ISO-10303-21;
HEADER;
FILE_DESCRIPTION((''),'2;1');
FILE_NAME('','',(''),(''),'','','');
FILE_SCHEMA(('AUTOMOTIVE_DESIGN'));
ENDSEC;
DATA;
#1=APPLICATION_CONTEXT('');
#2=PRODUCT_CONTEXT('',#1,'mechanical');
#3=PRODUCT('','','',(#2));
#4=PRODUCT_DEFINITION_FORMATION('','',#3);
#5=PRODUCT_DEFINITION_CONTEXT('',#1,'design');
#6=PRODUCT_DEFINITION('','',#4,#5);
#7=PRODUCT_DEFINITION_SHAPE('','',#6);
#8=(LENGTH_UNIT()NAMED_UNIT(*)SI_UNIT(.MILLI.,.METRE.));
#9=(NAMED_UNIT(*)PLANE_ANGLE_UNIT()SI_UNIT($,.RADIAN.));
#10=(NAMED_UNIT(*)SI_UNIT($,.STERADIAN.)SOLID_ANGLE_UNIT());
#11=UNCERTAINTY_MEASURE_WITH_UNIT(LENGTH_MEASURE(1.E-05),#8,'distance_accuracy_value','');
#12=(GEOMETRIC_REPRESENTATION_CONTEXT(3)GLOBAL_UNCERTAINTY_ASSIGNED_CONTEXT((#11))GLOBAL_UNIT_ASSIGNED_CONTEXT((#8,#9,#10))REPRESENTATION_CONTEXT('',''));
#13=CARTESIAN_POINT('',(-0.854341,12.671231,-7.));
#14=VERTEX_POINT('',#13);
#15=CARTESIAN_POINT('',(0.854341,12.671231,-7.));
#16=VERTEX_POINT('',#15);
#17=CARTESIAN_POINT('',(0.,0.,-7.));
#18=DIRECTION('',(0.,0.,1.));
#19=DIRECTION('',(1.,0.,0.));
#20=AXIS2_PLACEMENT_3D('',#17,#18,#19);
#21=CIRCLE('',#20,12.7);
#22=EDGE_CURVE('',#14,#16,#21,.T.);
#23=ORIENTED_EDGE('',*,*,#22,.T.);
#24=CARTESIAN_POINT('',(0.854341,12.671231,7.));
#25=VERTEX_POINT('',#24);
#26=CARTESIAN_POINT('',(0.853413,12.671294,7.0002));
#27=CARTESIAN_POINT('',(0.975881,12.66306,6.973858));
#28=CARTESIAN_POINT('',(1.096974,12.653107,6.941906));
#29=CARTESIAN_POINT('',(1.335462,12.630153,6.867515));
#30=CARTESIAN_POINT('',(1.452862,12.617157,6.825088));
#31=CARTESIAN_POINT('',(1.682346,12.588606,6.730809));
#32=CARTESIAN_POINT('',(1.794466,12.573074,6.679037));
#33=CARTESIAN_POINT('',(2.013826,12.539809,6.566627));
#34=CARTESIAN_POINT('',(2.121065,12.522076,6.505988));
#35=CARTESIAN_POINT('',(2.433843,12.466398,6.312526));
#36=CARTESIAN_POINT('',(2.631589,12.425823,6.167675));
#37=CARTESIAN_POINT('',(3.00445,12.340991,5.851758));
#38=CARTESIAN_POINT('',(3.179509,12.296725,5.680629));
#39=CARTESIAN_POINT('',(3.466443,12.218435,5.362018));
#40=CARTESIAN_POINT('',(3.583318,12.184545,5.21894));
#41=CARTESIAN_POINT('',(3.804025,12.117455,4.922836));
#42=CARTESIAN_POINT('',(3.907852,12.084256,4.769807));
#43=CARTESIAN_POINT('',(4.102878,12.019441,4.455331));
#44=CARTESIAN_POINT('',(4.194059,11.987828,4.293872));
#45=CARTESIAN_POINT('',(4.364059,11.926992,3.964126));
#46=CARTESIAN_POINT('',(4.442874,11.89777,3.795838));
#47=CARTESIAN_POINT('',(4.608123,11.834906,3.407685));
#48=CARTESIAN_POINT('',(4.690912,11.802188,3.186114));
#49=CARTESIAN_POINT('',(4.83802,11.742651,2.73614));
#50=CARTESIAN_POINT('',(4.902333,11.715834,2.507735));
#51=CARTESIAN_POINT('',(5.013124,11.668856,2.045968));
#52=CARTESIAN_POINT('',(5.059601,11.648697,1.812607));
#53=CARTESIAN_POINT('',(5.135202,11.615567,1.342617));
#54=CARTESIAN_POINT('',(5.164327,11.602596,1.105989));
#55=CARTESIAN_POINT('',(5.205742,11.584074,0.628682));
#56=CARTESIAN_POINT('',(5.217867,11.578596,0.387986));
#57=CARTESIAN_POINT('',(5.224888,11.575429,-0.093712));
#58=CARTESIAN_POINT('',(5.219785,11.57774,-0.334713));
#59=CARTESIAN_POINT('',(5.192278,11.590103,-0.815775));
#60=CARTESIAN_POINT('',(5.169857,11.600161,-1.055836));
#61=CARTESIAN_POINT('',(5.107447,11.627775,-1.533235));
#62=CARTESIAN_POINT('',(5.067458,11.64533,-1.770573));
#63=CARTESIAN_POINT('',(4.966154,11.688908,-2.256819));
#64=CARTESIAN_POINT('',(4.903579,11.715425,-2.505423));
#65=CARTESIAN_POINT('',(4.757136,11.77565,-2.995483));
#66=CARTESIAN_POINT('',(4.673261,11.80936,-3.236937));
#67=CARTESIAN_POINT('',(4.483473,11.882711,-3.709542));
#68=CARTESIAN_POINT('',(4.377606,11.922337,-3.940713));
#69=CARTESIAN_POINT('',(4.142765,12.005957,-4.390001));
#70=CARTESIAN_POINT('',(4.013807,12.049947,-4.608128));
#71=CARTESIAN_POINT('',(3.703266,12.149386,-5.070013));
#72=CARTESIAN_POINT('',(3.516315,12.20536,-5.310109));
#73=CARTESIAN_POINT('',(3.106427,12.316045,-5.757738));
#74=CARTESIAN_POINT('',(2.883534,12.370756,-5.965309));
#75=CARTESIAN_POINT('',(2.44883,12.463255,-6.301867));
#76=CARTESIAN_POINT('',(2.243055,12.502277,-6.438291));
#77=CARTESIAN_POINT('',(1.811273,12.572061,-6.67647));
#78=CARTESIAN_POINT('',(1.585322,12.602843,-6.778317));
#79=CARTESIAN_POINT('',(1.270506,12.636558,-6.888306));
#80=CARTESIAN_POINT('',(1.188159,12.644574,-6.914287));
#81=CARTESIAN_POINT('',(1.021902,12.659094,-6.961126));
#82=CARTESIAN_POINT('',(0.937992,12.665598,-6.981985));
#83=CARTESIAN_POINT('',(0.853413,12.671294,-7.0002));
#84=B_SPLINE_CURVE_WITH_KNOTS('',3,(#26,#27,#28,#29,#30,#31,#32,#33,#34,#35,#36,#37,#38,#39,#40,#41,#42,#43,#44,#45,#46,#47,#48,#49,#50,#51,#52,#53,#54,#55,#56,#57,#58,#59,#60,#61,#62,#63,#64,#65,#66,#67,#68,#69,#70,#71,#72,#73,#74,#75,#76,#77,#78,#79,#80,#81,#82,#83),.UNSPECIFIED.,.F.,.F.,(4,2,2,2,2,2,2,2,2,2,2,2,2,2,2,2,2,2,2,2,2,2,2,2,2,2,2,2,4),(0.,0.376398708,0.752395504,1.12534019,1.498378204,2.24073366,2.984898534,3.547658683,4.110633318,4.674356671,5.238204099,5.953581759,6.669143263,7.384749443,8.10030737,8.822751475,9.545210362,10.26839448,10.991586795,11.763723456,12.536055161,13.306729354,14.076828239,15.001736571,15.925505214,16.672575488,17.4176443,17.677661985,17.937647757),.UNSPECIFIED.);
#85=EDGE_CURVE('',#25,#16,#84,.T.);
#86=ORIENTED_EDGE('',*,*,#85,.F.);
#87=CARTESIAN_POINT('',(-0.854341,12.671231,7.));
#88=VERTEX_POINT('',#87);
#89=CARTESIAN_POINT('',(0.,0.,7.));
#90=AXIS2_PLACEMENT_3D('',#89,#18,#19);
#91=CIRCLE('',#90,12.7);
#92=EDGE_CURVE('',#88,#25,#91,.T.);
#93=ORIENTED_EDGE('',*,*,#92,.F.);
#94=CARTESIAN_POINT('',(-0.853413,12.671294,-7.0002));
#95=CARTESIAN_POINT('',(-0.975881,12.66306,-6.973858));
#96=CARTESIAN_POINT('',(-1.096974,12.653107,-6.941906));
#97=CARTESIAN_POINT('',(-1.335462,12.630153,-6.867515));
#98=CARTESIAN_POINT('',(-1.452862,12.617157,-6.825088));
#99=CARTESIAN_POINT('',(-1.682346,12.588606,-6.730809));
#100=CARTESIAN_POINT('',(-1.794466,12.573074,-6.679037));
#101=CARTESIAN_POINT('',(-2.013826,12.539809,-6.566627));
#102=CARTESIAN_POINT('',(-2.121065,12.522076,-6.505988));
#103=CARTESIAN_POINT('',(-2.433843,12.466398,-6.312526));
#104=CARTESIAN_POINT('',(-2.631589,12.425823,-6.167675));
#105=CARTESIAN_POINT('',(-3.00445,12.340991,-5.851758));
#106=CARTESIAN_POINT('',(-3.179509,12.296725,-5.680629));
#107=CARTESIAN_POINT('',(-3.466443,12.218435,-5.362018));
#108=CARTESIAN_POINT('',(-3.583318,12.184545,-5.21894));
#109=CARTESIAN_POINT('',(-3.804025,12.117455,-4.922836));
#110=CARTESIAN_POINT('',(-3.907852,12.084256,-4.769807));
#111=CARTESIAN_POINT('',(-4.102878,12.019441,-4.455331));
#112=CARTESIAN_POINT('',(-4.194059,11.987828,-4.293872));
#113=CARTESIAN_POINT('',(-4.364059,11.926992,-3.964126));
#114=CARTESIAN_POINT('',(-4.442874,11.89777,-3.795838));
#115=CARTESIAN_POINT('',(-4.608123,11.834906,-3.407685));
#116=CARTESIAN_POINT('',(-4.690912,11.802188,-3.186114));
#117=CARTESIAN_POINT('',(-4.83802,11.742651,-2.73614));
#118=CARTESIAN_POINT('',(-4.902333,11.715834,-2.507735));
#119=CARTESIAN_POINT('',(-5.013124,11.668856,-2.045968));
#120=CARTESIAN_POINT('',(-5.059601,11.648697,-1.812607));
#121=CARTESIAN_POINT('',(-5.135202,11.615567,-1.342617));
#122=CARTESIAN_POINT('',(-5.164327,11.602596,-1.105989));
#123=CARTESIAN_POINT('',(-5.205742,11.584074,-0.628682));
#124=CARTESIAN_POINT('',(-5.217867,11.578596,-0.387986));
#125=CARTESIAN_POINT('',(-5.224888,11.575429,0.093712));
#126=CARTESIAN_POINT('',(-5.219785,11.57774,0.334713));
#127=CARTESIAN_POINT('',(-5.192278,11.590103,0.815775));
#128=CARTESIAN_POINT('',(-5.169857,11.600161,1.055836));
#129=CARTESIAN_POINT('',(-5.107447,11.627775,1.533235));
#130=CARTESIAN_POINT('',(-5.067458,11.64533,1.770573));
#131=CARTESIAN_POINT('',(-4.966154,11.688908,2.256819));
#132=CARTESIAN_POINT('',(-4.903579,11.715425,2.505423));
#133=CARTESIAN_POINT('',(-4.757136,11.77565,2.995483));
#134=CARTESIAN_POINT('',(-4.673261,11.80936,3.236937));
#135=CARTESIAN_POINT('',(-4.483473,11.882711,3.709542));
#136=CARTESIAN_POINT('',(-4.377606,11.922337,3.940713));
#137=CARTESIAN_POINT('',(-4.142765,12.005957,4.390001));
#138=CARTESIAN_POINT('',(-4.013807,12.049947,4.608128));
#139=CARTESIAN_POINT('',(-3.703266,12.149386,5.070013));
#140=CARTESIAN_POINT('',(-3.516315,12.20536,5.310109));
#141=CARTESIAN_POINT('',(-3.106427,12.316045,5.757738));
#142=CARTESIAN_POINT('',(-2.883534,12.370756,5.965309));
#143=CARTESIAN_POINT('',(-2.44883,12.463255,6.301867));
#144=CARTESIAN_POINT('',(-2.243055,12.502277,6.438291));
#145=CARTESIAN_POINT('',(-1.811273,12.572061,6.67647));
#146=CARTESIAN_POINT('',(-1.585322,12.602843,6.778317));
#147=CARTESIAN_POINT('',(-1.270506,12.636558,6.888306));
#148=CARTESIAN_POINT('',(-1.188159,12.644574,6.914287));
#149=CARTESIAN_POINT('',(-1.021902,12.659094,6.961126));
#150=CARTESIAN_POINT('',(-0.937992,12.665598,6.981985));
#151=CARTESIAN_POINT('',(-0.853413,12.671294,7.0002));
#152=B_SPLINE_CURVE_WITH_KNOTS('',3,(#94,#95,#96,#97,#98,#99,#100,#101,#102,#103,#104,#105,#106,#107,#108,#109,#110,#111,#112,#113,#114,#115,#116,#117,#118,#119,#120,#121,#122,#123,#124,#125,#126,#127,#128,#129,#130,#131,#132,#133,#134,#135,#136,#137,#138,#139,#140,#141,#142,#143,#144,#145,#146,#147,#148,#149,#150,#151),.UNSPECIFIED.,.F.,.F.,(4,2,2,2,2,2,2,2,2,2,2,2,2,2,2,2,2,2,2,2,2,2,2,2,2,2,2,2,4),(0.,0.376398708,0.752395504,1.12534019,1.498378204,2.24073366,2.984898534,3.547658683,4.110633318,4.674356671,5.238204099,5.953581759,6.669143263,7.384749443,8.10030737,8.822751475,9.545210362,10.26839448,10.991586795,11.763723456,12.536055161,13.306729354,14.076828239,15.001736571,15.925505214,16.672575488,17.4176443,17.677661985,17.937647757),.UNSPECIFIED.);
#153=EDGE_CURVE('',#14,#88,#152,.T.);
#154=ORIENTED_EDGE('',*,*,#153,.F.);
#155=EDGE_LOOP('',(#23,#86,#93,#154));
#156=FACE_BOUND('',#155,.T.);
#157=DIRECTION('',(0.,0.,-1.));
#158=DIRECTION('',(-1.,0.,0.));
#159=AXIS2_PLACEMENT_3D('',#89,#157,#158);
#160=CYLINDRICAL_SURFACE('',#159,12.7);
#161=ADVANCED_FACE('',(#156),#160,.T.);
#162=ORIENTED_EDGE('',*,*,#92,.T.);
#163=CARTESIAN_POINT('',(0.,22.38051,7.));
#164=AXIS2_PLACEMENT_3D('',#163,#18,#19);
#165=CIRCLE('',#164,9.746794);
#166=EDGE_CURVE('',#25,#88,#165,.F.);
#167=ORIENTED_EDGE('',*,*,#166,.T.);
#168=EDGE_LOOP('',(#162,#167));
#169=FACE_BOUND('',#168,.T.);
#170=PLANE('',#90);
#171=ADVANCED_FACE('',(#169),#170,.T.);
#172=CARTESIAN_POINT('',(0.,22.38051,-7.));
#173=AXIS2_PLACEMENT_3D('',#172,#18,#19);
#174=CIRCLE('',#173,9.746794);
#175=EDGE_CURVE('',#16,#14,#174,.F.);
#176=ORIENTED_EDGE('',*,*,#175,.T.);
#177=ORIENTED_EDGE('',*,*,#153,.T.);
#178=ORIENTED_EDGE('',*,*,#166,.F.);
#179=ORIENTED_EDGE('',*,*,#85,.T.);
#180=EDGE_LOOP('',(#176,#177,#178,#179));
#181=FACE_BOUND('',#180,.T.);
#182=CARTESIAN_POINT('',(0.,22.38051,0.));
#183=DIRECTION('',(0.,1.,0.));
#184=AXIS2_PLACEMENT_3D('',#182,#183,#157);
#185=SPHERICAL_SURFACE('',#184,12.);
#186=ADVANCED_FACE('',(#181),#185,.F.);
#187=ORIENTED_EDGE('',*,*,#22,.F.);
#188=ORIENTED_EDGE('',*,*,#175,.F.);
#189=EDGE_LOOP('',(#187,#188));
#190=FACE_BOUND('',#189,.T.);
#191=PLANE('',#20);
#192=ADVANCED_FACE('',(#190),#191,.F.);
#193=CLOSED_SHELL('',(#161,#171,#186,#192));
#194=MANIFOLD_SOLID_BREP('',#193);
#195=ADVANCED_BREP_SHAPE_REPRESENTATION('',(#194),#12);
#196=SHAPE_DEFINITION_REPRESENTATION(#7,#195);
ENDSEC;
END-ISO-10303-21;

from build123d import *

# Parameters (mm, degrees)
SKETCH1_R           = 12.7
BOSS_EXTRUDE1_DEPTH = 7


with BuildPart() as part:
    # Sketch1 → Boss-Extrude1 (new, symmetric)
    with BuildSketch(Plane.XY):
        Circle(SKETCH1_R)
    extrude(amount=BOSS_EXTRUDE1_DEPTH, both=True)

    # Sketch3 → Cut-Revolve1 (revolve, cut)
    with BuildSketch(Plane(origin=(0, 0, 0), x_dir=(0, 0, -1), z_dir=(1, 0, 0))):
        with BuildLine():
            Line((0, 34.380510343), (0, 10.380510343))
            ThreePointArc((0, 10.380510343), (12, 22.380510343), (0, 34.380510343))
        make_face()
    revolve(axis=Axis((0, 34.380510343, 0), (0, -1, 0)), mode=Mode.SUBTRACT)


solid = part.part
